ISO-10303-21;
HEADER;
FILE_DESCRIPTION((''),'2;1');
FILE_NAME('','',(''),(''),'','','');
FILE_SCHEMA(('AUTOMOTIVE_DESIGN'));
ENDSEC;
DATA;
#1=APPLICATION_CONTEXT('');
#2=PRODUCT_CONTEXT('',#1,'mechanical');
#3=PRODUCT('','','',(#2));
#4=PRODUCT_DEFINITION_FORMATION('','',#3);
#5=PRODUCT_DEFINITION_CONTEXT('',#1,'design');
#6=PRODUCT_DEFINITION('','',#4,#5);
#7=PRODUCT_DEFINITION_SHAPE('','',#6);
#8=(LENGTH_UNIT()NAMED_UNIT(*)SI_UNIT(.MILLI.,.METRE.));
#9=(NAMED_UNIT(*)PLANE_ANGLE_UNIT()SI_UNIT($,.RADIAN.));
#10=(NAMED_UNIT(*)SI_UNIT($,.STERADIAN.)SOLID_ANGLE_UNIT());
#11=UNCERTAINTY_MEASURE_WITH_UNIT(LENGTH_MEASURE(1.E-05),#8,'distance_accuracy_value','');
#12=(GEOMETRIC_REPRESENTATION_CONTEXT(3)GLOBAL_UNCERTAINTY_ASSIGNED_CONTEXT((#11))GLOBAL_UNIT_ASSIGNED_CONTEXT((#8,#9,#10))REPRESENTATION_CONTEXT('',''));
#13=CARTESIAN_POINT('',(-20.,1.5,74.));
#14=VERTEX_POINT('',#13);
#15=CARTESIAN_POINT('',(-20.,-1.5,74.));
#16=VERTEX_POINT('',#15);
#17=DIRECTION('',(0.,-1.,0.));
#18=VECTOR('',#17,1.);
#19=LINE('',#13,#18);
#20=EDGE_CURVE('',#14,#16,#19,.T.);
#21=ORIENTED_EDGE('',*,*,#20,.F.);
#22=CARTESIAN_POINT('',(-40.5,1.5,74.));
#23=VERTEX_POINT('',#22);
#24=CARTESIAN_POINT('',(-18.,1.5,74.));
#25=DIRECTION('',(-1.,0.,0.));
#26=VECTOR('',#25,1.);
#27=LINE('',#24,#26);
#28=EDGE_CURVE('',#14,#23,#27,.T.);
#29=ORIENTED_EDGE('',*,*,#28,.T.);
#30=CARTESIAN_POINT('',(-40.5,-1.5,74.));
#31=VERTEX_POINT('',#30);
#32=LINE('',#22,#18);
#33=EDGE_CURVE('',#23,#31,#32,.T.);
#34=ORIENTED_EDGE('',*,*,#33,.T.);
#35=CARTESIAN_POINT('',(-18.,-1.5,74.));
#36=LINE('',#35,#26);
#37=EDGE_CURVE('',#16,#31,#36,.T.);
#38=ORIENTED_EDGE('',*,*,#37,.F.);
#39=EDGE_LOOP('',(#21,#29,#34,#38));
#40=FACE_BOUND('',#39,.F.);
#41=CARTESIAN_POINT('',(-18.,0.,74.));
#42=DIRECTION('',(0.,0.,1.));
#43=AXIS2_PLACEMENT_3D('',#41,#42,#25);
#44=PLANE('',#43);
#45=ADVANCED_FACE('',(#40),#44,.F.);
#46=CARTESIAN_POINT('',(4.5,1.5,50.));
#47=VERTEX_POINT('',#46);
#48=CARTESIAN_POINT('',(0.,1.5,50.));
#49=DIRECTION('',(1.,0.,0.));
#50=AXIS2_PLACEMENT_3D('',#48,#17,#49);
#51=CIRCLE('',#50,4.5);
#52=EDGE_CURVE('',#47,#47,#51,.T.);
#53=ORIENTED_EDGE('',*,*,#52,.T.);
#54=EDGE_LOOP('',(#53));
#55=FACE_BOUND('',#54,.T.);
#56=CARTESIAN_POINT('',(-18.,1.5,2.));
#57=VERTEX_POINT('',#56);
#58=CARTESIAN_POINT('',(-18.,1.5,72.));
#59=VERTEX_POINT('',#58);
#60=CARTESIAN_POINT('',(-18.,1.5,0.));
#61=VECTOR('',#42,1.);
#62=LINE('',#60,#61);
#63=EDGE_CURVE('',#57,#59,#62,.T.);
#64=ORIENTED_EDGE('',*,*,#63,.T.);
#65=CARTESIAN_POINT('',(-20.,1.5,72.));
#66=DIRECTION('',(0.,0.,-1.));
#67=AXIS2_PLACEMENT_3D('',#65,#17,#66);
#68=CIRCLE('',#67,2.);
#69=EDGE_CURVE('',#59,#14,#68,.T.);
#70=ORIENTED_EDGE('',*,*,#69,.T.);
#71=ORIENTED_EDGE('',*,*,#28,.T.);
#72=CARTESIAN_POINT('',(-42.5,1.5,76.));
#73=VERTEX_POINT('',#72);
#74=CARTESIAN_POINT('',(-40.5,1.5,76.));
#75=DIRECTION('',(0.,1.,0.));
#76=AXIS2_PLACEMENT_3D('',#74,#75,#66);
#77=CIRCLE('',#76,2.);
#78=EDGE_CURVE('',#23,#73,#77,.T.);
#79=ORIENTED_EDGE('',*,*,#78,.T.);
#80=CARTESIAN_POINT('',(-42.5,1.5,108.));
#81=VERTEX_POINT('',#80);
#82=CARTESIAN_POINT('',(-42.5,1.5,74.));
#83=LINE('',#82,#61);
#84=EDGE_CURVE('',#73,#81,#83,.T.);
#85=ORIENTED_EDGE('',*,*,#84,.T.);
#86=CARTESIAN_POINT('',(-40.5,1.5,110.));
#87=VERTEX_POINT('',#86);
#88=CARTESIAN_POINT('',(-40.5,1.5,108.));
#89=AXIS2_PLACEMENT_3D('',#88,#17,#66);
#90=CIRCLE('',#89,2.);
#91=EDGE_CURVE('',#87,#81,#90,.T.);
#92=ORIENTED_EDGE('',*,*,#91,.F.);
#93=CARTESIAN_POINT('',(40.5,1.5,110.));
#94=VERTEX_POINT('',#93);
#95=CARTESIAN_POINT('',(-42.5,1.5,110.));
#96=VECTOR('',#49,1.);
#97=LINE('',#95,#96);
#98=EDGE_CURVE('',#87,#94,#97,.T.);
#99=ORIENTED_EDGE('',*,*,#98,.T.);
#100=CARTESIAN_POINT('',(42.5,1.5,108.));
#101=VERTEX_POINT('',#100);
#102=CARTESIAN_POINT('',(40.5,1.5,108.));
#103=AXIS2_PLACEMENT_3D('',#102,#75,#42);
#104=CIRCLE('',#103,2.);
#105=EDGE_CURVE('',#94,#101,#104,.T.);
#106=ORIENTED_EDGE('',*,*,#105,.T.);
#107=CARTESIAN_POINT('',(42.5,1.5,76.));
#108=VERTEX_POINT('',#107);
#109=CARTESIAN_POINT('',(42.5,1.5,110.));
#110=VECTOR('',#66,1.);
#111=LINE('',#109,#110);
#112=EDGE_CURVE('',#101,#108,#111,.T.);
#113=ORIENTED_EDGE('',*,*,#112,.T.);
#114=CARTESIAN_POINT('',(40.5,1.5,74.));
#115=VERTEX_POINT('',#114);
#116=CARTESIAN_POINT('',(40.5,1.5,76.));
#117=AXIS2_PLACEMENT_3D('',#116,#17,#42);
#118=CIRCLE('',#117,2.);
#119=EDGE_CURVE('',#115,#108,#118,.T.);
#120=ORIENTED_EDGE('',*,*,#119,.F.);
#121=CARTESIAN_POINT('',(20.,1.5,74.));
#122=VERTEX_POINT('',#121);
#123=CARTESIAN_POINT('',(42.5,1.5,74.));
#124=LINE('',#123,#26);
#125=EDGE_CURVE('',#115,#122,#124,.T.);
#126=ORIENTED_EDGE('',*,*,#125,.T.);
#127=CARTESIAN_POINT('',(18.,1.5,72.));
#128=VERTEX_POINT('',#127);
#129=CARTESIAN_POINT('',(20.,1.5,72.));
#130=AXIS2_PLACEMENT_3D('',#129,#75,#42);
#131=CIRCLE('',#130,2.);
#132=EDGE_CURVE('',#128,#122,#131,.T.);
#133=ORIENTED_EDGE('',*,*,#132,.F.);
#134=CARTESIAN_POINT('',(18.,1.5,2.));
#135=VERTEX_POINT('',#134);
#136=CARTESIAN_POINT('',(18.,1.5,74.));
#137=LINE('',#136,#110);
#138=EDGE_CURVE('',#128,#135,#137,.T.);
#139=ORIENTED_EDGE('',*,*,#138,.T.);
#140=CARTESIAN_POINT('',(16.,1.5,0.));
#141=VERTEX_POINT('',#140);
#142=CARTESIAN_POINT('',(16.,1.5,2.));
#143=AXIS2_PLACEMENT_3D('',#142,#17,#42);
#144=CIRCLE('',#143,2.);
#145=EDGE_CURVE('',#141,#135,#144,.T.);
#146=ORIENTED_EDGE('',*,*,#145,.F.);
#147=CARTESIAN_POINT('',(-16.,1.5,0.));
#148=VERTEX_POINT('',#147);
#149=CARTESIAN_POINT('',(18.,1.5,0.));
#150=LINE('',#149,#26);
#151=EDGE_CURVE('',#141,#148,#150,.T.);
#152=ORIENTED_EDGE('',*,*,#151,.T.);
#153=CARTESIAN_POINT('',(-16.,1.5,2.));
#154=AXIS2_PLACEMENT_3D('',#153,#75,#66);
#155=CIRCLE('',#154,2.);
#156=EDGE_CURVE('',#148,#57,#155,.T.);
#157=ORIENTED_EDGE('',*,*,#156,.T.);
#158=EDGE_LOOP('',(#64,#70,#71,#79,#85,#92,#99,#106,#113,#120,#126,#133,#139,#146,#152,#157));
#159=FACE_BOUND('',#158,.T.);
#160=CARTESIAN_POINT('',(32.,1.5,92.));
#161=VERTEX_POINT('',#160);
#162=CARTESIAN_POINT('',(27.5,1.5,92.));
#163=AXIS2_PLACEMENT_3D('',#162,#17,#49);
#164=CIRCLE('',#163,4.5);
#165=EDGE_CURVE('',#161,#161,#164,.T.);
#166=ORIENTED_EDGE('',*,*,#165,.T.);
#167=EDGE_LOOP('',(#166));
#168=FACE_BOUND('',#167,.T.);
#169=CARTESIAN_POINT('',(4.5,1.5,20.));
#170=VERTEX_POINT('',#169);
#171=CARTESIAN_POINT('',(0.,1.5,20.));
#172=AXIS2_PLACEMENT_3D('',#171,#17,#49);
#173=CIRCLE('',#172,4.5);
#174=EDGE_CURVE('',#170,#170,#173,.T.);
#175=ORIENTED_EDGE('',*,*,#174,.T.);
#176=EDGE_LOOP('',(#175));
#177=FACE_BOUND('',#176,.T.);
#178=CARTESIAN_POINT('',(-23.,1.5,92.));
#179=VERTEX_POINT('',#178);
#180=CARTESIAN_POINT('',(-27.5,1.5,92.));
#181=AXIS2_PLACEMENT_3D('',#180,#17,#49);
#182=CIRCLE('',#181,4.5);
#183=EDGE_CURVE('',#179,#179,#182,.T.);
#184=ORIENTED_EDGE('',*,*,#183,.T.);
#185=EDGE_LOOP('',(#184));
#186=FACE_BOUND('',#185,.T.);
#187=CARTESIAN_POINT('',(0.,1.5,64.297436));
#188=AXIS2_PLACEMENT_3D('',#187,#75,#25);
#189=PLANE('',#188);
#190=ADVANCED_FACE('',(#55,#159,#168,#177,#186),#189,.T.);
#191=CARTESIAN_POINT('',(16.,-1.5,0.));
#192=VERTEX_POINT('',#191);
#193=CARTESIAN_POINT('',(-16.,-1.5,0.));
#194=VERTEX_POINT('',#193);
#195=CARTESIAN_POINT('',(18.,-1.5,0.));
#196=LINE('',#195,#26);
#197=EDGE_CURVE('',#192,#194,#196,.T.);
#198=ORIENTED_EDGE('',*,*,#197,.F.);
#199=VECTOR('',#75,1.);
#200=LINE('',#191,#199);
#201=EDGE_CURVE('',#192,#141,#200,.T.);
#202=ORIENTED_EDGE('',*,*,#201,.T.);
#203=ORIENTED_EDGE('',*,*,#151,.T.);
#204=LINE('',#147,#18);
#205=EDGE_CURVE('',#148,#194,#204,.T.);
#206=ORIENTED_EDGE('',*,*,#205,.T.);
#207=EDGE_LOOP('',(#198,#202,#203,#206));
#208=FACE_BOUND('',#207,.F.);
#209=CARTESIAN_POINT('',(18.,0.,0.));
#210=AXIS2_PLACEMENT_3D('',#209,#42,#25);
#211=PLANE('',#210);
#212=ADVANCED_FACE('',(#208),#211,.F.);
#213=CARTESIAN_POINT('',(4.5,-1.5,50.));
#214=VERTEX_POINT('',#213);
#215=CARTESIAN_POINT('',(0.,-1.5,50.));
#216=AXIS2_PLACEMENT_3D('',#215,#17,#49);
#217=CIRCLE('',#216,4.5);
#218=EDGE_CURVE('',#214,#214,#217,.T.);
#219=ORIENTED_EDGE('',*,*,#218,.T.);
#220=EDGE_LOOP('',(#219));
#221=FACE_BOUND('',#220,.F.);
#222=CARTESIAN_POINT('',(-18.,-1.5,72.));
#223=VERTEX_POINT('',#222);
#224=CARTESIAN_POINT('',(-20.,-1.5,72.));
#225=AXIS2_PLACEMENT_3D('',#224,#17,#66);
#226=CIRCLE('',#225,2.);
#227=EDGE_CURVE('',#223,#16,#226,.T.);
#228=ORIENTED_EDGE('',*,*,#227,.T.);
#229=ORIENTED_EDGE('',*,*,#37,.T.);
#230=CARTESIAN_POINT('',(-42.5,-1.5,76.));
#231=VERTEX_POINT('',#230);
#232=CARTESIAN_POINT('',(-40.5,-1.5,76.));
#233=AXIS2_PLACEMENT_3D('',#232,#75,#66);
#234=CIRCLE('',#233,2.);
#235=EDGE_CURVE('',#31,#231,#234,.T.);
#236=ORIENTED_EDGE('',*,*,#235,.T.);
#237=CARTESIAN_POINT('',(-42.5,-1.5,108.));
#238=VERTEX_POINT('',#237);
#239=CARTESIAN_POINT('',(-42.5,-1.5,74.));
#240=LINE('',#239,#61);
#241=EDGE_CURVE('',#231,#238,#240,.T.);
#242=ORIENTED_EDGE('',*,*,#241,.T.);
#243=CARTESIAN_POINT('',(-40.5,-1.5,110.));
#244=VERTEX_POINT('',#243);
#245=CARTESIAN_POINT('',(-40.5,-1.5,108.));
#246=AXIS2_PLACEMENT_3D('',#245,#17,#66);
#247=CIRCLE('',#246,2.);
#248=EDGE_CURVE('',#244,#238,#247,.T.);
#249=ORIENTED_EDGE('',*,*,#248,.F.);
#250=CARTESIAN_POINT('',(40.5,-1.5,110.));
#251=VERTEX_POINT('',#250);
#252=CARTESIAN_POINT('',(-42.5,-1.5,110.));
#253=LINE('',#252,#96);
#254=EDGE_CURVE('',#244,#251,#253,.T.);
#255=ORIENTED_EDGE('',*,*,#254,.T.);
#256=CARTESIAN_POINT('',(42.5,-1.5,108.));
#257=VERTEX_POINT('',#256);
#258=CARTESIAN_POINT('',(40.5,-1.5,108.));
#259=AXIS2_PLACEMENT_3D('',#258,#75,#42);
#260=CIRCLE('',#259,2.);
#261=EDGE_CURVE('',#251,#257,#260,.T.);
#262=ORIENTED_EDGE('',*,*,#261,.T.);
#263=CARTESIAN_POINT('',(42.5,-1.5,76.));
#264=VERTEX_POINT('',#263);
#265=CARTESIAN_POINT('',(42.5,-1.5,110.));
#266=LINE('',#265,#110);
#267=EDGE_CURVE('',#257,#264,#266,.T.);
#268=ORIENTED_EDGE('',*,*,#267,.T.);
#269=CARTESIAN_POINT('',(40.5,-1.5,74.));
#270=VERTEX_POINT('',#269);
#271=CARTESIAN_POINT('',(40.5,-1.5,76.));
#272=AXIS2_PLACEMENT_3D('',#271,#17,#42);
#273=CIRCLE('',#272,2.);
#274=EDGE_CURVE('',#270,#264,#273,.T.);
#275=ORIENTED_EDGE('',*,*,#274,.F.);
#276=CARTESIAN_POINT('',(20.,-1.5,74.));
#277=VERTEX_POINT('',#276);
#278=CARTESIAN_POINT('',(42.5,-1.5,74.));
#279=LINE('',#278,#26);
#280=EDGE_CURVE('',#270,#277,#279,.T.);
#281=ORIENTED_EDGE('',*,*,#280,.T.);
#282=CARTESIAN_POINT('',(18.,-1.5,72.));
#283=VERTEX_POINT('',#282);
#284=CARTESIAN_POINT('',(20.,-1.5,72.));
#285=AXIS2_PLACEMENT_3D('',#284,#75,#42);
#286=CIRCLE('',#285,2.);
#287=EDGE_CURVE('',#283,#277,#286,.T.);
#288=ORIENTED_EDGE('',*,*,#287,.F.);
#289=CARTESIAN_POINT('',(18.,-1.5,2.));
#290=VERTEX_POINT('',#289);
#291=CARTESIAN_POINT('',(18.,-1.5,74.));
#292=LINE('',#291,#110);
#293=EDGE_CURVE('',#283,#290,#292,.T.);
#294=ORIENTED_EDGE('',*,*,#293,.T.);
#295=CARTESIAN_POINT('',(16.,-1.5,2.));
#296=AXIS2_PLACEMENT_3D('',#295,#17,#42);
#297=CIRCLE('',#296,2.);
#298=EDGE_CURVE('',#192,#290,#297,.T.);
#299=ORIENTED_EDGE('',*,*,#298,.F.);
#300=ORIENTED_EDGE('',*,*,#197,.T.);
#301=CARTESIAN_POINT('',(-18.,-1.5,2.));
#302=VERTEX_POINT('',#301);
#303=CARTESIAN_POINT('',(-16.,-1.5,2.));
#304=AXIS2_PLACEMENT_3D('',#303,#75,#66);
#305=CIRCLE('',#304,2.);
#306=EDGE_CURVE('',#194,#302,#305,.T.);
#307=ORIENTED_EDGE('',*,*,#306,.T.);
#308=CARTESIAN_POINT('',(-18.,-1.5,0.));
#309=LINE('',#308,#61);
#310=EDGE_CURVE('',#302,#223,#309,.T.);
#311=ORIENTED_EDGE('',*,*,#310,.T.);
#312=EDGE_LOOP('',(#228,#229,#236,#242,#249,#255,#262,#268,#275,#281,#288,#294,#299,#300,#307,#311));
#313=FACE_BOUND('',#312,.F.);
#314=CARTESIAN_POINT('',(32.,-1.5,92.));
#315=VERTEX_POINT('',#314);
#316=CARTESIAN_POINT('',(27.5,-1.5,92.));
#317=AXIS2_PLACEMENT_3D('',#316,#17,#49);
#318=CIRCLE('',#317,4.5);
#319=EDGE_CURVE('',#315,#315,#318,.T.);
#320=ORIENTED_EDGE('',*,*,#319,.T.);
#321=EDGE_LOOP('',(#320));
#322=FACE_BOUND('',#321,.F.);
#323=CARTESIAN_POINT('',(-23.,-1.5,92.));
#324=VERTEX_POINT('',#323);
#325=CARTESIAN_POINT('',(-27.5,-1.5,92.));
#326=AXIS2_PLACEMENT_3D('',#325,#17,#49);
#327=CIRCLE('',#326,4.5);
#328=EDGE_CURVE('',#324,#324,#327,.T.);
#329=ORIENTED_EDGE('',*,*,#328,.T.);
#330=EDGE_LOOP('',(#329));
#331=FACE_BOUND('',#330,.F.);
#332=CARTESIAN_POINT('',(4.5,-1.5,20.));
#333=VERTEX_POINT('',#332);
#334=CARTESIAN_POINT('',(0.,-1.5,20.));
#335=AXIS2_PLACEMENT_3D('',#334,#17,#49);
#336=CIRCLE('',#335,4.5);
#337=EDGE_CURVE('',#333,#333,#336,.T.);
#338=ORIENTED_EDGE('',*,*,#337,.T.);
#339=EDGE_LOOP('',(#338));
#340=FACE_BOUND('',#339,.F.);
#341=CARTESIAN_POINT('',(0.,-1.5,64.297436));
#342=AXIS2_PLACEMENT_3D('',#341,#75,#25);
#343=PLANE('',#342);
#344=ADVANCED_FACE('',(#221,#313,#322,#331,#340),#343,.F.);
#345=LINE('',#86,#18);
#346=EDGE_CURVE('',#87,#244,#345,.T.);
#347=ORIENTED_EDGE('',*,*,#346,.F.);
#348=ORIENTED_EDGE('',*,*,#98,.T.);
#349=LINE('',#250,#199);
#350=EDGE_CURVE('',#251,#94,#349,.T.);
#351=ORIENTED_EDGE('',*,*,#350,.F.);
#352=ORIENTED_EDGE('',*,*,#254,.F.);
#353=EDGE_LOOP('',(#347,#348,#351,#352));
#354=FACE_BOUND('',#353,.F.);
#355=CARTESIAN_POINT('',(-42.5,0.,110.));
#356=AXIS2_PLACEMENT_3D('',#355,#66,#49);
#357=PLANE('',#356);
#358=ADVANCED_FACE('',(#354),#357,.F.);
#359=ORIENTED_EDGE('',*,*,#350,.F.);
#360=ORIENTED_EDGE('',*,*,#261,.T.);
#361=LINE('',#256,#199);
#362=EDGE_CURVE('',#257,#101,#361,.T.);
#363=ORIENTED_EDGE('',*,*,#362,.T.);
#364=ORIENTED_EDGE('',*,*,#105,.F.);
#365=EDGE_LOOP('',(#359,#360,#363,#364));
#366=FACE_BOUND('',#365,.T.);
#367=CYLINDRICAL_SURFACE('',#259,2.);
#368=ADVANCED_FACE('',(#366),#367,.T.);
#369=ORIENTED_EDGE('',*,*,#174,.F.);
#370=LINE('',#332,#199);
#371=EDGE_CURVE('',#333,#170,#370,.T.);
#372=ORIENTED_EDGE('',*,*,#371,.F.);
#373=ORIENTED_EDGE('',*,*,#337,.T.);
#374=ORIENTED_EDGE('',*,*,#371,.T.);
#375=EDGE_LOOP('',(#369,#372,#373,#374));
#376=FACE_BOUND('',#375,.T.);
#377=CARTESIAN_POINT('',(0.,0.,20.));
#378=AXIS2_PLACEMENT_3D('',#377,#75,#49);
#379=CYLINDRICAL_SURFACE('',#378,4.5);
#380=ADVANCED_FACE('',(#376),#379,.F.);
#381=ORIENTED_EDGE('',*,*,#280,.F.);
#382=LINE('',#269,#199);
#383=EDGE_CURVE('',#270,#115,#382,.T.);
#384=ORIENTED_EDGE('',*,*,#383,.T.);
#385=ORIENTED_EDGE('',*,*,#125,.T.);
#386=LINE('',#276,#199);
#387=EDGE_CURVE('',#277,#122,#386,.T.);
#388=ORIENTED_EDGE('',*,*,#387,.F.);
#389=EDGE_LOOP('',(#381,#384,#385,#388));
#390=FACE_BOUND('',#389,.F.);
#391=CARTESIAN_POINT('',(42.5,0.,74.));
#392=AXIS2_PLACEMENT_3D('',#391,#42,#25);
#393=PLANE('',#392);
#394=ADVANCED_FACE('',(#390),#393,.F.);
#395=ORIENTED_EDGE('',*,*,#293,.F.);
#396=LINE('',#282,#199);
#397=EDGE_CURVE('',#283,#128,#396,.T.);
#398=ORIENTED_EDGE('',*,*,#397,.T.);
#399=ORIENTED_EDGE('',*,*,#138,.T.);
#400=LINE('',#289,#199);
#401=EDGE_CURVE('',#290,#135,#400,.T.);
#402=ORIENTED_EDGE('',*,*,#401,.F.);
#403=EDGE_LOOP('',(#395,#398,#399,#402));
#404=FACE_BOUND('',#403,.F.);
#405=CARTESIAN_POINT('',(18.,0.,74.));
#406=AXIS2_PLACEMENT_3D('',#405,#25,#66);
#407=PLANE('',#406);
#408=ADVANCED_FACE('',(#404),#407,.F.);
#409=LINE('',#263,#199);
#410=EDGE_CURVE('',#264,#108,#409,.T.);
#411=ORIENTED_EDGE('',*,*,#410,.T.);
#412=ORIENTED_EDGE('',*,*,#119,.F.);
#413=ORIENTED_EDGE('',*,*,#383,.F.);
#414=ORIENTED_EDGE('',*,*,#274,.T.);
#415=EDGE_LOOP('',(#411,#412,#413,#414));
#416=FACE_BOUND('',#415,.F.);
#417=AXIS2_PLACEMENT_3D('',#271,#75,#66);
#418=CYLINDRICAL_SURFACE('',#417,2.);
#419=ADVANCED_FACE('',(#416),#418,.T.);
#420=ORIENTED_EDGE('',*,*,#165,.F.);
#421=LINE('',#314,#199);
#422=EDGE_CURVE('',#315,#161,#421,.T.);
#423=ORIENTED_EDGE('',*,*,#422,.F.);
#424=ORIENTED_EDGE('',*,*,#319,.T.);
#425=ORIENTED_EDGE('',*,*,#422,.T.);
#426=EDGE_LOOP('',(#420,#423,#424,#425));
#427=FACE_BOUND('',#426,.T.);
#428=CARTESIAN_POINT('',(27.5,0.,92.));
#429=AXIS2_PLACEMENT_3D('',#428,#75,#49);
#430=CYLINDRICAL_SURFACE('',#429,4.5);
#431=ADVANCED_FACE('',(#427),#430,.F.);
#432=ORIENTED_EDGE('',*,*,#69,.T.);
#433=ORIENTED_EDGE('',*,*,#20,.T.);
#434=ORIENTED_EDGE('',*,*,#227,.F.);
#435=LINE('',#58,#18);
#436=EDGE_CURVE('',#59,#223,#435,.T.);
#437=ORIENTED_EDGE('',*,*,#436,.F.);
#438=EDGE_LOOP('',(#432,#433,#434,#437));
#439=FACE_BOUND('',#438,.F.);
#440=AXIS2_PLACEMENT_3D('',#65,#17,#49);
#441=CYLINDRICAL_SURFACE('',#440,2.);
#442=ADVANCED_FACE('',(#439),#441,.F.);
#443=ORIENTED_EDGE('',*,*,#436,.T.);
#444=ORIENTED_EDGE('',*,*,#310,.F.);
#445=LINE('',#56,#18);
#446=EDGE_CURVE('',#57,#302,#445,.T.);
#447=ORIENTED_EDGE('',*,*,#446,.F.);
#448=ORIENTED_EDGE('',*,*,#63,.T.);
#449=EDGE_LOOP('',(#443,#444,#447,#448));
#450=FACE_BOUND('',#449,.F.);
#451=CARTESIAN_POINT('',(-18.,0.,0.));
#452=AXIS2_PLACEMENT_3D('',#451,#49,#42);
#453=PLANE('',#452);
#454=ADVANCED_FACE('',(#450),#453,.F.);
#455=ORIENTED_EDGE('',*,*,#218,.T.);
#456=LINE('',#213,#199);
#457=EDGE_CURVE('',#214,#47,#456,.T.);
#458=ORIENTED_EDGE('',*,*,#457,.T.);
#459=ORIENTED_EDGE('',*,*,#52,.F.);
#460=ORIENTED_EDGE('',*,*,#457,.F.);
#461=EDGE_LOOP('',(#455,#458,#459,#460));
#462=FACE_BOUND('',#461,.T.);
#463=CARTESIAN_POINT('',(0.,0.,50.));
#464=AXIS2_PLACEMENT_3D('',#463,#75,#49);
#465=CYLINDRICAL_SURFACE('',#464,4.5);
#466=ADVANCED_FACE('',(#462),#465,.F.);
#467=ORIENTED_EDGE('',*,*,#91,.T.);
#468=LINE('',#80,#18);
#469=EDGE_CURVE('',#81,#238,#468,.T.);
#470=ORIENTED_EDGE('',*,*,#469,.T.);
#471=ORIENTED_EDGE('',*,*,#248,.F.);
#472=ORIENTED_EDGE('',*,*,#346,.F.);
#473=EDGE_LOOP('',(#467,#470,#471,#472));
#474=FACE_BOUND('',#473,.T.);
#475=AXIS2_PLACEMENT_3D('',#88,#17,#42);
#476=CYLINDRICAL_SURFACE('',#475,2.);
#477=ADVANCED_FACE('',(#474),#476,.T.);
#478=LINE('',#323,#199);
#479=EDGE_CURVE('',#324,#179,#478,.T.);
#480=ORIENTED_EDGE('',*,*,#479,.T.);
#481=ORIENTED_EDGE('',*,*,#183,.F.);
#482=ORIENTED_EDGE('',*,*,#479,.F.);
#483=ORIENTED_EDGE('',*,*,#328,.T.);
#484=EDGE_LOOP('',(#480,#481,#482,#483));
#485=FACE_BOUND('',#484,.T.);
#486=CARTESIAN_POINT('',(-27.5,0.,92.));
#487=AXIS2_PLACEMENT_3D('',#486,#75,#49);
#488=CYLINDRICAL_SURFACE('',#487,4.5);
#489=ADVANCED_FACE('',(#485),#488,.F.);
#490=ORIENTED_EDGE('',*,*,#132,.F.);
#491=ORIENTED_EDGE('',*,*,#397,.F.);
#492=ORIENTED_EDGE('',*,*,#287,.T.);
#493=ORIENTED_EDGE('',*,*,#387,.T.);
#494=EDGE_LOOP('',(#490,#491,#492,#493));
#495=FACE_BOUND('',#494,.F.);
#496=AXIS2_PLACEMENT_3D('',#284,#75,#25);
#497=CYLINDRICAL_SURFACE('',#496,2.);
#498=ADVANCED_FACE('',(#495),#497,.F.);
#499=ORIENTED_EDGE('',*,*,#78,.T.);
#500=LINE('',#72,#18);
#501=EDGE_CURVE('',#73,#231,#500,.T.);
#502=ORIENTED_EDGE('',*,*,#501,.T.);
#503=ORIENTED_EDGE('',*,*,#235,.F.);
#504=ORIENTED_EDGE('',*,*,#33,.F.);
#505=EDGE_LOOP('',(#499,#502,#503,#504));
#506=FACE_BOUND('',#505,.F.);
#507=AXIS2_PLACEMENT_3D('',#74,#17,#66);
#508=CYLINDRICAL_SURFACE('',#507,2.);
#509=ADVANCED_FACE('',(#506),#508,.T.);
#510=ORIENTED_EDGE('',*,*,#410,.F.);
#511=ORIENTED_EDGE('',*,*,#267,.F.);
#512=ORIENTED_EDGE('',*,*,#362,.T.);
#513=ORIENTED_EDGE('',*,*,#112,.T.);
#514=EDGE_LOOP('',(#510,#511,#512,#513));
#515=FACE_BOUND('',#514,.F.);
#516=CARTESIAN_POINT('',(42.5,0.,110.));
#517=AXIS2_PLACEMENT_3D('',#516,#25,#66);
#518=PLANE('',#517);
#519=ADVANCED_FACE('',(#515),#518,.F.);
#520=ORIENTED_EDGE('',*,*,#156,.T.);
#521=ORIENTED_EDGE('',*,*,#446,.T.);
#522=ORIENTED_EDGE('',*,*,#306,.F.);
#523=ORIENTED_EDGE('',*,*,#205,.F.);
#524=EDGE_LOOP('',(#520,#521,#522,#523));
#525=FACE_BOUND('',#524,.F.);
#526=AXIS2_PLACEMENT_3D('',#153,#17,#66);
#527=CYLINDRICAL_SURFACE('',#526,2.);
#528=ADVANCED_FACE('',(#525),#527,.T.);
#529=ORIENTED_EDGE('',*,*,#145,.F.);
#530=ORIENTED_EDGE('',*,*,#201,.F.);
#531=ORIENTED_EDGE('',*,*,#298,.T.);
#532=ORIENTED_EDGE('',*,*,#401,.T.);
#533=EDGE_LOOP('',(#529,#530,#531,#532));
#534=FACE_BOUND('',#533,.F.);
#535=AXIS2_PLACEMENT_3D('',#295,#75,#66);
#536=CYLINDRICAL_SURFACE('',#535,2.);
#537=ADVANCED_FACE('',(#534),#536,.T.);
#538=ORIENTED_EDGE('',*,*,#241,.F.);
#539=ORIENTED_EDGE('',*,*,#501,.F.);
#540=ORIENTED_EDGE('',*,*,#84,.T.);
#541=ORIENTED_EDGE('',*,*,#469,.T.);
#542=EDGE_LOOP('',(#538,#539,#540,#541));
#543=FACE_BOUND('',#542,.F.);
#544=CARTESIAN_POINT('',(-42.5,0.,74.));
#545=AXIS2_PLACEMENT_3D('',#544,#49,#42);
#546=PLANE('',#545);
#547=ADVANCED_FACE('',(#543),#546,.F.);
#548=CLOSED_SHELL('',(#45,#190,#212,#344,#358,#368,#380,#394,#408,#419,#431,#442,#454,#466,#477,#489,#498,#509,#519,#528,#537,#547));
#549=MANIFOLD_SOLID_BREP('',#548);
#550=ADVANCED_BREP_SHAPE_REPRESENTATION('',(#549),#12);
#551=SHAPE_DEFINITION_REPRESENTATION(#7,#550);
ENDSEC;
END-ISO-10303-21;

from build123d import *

# Parameters (mm, degrees)
SKETCH_R  = 4.5
PAD_DEPTH = 1.5
FILLET_R  = 2


with BuildPart() as part:
    # Sketch → Pad (new body, symmetric)
    with BuildSketch(Plane.XZ):
        Polygon((-42.5, 110), (42.5, 110), (42.5, 74), (18, 74), (18, 0), (-18, 0), (-18, 74), (-42.5, 74), align=None)
        with Locations((-27.5, 92)):
            Circle(SKETCH_R, mode=Mode.SUBTRACT)
        with Locations((27.5, 92)):
            Circle(SKETCH_R, mode=Mode.SUBTRACT)
        with Locations((0, 20)):
            Circle(SKETCH_R, mode=Mode.SUBTRACT)
        with Locations((0, 50)):
            Circle(SKETCH_R, mode=Mode.SUBTRACT)
    extrude(amount=PAD_DEPTH, both=True)

    # Fillet
    fillet_edges = [part.edges().sort_by_distance(p)[0] for p in [
        (42.5, 0, 110),
        (42.5, 0, 74),
        (18, 0, 74),
        (-18, 0, 74),
        (-42.5, 0, 74),
        (-42.5, 0, 110),
        (18, 0, 0),
        (-18, 0, 0),
    ]]
    fillet(fillet_edges, radius=FILLET_R)


solid = part.part
